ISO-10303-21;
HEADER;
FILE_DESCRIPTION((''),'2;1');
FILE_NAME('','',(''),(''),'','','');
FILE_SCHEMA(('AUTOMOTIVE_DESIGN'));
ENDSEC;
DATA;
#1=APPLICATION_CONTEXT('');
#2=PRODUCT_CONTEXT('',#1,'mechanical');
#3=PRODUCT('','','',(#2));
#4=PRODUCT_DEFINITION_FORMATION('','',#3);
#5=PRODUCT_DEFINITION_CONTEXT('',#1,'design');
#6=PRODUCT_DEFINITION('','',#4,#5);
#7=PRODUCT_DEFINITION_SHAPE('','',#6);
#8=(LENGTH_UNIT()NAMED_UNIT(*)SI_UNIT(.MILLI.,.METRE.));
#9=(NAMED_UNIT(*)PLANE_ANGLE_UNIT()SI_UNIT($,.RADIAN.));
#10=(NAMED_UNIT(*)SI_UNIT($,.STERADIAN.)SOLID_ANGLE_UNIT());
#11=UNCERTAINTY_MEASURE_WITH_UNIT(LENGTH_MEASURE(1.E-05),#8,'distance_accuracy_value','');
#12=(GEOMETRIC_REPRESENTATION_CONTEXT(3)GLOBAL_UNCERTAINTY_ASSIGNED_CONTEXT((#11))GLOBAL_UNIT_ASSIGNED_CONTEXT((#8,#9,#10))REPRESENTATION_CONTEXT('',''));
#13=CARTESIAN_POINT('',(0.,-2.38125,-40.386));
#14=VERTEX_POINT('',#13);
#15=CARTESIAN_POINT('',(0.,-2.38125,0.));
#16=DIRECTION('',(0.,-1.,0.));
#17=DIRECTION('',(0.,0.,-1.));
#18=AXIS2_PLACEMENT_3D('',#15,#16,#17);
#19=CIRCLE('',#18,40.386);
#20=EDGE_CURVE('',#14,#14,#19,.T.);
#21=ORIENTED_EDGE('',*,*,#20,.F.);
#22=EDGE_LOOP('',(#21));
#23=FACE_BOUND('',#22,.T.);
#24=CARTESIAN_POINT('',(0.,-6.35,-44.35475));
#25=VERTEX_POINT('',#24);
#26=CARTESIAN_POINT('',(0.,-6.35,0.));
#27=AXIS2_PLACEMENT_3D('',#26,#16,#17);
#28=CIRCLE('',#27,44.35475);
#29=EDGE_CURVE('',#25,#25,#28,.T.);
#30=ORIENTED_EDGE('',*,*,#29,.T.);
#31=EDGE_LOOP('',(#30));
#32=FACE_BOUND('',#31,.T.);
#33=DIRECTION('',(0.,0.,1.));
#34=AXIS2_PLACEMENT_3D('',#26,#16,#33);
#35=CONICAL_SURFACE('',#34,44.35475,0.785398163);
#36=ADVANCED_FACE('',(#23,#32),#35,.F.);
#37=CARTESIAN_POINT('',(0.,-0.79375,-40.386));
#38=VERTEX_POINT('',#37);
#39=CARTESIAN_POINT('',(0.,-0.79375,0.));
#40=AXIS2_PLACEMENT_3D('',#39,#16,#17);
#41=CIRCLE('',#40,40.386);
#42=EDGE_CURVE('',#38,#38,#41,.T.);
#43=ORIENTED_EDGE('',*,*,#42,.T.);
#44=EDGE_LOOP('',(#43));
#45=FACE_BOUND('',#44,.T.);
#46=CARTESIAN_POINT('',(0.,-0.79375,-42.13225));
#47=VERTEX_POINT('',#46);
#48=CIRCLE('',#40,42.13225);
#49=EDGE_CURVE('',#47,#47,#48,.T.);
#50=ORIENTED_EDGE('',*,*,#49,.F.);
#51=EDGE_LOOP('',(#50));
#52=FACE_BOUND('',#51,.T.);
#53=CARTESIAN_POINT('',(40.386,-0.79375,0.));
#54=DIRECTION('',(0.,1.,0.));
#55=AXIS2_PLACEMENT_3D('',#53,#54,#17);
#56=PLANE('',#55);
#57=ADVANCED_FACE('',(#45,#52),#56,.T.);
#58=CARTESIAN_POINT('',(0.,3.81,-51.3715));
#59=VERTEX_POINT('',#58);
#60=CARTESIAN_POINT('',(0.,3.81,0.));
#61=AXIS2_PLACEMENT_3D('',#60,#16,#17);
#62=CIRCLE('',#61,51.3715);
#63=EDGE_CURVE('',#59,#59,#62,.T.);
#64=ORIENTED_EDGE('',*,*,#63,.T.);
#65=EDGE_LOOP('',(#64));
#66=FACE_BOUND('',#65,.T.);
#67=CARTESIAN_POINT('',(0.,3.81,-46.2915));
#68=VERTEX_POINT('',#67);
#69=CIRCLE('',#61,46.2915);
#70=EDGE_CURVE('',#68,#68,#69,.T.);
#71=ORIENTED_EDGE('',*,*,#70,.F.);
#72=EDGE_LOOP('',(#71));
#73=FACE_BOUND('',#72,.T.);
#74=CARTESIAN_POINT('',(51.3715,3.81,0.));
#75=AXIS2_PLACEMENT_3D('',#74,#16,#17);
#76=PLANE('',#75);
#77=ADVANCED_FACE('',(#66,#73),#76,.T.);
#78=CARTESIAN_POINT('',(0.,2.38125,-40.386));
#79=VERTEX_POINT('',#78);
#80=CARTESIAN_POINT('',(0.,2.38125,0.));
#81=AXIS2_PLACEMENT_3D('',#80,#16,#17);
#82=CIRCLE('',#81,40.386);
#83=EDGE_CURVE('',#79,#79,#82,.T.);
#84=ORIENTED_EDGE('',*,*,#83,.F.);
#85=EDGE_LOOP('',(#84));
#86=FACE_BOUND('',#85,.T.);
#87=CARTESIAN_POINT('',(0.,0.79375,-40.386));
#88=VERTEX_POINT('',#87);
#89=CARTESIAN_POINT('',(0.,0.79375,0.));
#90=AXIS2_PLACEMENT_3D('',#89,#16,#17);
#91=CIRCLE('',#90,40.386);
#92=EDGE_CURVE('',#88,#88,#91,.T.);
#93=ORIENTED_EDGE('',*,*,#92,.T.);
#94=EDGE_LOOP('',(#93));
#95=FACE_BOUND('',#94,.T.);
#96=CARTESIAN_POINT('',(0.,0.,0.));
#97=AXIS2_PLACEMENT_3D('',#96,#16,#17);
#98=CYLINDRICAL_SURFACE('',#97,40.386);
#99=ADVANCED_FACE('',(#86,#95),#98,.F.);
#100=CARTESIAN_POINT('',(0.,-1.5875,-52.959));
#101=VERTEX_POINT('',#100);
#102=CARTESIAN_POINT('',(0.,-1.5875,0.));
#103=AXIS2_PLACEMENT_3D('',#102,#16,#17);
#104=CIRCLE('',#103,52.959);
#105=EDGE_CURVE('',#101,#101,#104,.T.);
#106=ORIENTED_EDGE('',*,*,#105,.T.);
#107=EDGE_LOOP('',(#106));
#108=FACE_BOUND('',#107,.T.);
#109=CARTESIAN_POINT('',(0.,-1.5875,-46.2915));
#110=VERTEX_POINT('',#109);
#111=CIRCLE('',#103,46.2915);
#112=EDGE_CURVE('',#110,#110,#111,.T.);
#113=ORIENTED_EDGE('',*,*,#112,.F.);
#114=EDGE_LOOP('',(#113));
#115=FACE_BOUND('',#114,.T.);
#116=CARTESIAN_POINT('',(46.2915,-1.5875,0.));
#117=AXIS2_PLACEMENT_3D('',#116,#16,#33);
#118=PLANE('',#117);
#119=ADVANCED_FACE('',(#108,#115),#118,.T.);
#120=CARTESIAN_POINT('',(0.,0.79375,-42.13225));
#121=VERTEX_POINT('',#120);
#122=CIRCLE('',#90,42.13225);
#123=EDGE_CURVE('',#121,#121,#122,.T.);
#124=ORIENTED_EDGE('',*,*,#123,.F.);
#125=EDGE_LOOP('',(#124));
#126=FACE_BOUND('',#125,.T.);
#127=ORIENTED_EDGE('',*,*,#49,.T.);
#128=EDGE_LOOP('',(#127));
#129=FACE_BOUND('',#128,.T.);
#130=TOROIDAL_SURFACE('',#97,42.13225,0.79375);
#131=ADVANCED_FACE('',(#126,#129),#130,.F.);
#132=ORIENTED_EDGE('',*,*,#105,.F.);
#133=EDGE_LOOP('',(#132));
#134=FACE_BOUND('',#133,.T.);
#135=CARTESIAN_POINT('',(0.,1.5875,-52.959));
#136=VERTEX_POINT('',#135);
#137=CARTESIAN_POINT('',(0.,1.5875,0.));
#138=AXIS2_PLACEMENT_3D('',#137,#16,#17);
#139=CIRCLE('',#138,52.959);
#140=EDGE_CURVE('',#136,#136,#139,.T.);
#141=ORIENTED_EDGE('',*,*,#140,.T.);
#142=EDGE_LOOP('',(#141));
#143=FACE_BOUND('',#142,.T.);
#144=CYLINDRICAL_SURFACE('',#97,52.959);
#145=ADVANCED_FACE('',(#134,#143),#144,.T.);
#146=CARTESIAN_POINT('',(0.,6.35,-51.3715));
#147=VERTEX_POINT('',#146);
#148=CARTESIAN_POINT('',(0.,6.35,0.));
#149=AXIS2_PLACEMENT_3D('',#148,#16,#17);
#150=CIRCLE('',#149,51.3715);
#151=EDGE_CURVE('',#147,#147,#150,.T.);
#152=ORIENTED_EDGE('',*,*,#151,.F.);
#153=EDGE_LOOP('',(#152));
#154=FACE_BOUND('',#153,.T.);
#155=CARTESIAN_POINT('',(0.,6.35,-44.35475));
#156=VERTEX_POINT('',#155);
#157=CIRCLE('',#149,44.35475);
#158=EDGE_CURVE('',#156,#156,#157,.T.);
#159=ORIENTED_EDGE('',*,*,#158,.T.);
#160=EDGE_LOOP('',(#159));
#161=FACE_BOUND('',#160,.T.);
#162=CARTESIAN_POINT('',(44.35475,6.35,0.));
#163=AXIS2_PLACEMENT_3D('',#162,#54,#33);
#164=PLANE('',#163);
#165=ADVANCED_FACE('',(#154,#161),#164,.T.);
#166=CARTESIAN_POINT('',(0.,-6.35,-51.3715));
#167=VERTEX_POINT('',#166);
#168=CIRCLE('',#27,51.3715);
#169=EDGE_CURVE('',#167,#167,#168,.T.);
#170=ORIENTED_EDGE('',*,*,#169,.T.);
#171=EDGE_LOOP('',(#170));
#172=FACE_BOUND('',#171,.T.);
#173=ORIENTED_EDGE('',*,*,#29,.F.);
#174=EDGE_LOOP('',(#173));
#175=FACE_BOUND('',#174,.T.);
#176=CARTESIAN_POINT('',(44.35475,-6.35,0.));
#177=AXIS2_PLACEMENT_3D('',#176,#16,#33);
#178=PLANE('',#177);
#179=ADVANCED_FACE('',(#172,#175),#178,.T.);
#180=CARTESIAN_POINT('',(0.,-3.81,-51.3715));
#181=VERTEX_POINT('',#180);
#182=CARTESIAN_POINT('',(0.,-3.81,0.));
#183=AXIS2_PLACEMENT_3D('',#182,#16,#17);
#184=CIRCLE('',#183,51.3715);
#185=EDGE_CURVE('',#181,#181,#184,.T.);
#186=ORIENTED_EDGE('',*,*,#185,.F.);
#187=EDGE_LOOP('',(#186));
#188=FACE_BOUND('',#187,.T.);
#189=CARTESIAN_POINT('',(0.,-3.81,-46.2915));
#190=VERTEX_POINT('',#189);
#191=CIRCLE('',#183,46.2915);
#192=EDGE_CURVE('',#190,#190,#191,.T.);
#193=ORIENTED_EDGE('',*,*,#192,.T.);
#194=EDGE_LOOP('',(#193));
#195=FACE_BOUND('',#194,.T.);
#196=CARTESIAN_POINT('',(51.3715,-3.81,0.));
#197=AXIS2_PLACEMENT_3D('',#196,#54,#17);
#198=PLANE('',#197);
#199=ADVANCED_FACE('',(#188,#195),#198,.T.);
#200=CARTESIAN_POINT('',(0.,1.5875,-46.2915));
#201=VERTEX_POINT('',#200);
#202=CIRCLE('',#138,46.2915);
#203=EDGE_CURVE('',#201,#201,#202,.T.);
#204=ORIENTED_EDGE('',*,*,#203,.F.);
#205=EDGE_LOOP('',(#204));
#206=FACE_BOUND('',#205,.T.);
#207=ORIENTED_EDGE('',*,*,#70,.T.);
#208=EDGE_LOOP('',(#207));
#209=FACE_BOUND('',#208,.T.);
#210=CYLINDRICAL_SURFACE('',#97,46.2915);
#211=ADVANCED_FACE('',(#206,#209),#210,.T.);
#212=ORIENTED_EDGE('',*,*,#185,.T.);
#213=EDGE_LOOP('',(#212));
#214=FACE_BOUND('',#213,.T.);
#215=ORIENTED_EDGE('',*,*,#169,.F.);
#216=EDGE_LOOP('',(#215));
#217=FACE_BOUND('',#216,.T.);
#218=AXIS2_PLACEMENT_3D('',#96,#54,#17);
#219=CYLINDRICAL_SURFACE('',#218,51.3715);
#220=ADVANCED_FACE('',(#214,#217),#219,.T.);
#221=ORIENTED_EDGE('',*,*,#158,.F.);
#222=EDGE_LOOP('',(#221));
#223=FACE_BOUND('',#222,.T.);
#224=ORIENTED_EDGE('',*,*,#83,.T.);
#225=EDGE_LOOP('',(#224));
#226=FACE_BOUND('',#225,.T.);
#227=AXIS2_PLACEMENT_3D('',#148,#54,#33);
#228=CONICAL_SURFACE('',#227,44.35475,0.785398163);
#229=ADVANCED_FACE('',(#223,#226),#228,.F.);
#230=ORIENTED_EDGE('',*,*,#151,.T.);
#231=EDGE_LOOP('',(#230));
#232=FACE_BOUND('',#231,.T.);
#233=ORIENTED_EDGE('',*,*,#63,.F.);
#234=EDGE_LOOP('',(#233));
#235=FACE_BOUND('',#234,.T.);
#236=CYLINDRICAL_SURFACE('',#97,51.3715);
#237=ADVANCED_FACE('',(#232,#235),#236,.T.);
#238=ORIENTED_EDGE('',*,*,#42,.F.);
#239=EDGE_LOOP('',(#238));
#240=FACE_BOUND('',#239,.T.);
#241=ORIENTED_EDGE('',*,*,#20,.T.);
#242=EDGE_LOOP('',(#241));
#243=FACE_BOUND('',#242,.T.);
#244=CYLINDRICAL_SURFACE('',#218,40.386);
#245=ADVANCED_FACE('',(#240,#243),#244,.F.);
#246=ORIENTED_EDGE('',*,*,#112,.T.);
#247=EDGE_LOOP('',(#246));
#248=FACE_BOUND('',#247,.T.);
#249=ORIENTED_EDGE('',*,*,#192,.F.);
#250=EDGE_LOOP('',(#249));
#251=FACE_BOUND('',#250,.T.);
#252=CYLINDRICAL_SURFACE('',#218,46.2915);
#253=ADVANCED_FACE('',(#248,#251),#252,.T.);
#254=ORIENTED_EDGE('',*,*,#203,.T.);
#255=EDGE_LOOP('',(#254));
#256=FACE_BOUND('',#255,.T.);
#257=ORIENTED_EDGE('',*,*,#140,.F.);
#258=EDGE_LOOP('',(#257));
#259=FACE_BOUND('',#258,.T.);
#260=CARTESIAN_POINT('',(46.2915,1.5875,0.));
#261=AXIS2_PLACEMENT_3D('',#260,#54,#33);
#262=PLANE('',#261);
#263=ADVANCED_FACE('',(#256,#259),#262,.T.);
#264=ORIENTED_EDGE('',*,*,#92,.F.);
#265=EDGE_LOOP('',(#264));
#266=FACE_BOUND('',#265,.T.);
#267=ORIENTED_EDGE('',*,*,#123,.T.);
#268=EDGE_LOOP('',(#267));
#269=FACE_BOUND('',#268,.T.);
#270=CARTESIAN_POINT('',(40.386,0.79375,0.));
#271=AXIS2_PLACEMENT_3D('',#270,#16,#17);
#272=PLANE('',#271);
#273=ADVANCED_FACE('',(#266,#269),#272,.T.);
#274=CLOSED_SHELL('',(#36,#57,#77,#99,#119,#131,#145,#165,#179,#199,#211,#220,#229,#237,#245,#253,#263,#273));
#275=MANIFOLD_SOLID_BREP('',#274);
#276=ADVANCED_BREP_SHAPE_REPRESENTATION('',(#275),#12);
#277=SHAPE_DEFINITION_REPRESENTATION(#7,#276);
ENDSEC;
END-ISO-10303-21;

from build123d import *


with BuildPart() as part:
    # Sketch1 → Revolve1 (revolve)
    with BuildSketch(Plane.XY, mode=Mode.PRIVATE) as revolve1_sk:
        with BuildLine():
            Line((40.386, 0.79375), (40.386, 2.38125))
            Line((40.386, 2.38125), (44.35475, 6.35))
            Line((44.35475, 6.35), (51.3715, 6.35))
            Line((51.3715, 6.35), (51.3715, 3.81))
            Line((51.3715, 3.81), (46.2915, 3.81))
            Line((46.2915, 3.81), (46.2915, 1.5875))
            Line((46.2915, 1.5875), (52.959, 1.5875))
            Line((52.959, 1.5875), (52.959, 0))
            Line((52.959, 0), (42.926, 0))
            ThreePointArc((42.926, 0), (42.693516008, 0.561266008), (42.13225, 0.79375))
            Line((42.13225, 0.79375), (40.386, 0.79375))
        make_face()
    revolve1 = revolve(revolve1_sk.sketch.rotate(Axis((0, 0, 0), (0, 1, 0)), 90), axis=Axis((0, 0, 0), (0, 1, 0)))

    # Mirror1: Revolve1 across plane
    add(revolve1.mirror(Plane.ZX))


solid = part.part
